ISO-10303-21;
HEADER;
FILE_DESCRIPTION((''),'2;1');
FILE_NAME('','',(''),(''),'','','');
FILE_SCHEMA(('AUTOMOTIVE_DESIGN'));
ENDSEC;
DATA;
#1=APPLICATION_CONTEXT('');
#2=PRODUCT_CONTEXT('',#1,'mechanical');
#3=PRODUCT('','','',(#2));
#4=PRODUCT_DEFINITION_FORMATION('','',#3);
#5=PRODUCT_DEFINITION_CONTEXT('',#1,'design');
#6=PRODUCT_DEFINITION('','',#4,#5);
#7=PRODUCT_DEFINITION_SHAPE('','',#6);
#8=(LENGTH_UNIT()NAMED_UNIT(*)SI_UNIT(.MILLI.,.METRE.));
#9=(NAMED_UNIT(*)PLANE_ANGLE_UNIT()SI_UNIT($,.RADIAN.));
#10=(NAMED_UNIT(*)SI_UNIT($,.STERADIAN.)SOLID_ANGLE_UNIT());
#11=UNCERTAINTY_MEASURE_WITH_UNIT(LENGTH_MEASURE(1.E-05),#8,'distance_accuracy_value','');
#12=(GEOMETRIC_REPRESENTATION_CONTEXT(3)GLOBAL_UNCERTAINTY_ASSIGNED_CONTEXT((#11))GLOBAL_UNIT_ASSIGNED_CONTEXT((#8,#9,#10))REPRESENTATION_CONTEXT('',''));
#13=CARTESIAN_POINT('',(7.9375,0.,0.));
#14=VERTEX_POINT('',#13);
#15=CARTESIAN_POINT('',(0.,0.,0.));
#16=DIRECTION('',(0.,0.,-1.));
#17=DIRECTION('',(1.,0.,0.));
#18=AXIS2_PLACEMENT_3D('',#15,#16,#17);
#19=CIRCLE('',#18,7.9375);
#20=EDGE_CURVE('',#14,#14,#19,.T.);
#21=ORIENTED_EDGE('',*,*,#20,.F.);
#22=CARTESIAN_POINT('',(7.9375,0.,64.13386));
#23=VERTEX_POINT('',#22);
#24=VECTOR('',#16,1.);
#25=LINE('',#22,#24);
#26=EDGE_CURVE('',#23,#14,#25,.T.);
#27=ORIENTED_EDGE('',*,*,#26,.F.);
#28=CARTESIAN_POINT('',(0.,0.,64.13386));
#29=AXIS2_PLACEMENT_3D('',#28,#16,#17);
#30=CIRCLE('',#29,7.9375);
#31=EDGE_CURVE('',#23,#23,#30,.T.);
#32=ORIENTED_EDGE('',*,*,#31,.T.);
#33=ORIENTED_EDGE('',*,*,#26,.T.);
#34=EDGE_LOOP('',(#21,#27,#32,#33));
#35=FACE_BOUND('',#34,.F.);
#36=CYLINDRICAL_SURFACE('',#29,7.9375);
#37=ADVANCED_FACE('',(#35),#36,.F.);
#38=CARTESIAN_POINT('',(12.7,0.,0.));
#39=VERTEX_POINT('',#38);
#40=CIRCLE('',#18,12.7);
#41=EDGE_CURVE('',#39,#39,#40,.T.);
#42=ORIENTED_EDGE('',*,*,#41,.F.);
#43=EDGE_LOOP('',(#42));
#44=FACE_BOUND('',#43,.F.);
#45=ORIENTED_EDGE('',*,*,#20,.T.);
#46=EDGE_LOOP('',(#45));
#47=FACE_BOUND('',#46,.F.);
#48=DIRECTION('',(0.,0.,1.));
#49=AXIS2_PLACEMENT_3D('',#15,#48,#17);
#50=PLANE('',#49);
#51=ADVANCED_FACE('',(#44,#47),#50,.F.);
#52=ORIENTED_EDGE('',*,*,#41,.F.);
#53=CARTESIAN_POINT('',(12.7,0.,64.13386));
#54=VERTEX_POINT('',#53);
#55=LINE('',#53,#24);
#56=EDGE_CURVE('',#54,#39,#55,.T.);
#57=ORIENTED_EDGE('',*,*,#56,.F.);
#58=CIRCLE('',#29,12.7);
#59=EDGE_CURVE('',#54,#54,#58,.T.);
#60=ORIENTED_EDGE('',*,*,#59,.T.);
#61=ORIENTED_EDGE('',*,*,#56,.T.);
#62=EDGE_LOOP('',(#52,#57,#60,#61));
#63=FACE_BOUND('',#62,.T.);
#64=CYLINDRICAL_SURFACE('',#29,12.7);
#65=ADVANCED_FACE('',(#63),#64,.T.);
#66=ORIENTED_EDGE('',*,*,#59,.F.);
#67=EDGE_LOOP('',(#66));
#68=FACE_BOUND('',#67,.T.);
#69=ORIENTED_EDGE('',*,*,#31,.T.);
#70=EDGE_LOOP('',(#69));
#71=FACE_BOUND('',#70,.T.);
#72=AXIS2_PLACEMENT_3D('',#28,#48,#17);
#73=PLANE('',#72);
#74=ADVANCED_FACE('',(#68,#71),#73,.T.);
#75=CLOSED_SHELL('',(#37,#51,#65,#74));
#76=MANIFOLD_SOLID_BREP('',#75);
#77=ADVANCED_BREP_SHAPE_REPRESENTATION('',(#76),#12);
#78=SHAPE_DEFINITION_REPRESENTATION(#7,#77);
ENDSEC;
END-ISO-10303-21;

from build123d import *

# Parameters (mm, degrees)
F2_R   = 12.7
F2_R_2 = 7.9375


with BuildPart() as f3:
    # F3: sweep along a path in F0
    with BuildLine(Plane.XZ) as f3_path:
        Line((0, 64.1338602412), (0, 0))
    # F2 (on plane+point) → F3 (sweep)
    with BuildSketch(Plane.XY.offset(64.1338602412)):
        Circle(F2_R)
        Circle(F2_R_2, mode=Mode.SUBTRACT)
    sweep(path=f3_path.line)


solid = f3.part
